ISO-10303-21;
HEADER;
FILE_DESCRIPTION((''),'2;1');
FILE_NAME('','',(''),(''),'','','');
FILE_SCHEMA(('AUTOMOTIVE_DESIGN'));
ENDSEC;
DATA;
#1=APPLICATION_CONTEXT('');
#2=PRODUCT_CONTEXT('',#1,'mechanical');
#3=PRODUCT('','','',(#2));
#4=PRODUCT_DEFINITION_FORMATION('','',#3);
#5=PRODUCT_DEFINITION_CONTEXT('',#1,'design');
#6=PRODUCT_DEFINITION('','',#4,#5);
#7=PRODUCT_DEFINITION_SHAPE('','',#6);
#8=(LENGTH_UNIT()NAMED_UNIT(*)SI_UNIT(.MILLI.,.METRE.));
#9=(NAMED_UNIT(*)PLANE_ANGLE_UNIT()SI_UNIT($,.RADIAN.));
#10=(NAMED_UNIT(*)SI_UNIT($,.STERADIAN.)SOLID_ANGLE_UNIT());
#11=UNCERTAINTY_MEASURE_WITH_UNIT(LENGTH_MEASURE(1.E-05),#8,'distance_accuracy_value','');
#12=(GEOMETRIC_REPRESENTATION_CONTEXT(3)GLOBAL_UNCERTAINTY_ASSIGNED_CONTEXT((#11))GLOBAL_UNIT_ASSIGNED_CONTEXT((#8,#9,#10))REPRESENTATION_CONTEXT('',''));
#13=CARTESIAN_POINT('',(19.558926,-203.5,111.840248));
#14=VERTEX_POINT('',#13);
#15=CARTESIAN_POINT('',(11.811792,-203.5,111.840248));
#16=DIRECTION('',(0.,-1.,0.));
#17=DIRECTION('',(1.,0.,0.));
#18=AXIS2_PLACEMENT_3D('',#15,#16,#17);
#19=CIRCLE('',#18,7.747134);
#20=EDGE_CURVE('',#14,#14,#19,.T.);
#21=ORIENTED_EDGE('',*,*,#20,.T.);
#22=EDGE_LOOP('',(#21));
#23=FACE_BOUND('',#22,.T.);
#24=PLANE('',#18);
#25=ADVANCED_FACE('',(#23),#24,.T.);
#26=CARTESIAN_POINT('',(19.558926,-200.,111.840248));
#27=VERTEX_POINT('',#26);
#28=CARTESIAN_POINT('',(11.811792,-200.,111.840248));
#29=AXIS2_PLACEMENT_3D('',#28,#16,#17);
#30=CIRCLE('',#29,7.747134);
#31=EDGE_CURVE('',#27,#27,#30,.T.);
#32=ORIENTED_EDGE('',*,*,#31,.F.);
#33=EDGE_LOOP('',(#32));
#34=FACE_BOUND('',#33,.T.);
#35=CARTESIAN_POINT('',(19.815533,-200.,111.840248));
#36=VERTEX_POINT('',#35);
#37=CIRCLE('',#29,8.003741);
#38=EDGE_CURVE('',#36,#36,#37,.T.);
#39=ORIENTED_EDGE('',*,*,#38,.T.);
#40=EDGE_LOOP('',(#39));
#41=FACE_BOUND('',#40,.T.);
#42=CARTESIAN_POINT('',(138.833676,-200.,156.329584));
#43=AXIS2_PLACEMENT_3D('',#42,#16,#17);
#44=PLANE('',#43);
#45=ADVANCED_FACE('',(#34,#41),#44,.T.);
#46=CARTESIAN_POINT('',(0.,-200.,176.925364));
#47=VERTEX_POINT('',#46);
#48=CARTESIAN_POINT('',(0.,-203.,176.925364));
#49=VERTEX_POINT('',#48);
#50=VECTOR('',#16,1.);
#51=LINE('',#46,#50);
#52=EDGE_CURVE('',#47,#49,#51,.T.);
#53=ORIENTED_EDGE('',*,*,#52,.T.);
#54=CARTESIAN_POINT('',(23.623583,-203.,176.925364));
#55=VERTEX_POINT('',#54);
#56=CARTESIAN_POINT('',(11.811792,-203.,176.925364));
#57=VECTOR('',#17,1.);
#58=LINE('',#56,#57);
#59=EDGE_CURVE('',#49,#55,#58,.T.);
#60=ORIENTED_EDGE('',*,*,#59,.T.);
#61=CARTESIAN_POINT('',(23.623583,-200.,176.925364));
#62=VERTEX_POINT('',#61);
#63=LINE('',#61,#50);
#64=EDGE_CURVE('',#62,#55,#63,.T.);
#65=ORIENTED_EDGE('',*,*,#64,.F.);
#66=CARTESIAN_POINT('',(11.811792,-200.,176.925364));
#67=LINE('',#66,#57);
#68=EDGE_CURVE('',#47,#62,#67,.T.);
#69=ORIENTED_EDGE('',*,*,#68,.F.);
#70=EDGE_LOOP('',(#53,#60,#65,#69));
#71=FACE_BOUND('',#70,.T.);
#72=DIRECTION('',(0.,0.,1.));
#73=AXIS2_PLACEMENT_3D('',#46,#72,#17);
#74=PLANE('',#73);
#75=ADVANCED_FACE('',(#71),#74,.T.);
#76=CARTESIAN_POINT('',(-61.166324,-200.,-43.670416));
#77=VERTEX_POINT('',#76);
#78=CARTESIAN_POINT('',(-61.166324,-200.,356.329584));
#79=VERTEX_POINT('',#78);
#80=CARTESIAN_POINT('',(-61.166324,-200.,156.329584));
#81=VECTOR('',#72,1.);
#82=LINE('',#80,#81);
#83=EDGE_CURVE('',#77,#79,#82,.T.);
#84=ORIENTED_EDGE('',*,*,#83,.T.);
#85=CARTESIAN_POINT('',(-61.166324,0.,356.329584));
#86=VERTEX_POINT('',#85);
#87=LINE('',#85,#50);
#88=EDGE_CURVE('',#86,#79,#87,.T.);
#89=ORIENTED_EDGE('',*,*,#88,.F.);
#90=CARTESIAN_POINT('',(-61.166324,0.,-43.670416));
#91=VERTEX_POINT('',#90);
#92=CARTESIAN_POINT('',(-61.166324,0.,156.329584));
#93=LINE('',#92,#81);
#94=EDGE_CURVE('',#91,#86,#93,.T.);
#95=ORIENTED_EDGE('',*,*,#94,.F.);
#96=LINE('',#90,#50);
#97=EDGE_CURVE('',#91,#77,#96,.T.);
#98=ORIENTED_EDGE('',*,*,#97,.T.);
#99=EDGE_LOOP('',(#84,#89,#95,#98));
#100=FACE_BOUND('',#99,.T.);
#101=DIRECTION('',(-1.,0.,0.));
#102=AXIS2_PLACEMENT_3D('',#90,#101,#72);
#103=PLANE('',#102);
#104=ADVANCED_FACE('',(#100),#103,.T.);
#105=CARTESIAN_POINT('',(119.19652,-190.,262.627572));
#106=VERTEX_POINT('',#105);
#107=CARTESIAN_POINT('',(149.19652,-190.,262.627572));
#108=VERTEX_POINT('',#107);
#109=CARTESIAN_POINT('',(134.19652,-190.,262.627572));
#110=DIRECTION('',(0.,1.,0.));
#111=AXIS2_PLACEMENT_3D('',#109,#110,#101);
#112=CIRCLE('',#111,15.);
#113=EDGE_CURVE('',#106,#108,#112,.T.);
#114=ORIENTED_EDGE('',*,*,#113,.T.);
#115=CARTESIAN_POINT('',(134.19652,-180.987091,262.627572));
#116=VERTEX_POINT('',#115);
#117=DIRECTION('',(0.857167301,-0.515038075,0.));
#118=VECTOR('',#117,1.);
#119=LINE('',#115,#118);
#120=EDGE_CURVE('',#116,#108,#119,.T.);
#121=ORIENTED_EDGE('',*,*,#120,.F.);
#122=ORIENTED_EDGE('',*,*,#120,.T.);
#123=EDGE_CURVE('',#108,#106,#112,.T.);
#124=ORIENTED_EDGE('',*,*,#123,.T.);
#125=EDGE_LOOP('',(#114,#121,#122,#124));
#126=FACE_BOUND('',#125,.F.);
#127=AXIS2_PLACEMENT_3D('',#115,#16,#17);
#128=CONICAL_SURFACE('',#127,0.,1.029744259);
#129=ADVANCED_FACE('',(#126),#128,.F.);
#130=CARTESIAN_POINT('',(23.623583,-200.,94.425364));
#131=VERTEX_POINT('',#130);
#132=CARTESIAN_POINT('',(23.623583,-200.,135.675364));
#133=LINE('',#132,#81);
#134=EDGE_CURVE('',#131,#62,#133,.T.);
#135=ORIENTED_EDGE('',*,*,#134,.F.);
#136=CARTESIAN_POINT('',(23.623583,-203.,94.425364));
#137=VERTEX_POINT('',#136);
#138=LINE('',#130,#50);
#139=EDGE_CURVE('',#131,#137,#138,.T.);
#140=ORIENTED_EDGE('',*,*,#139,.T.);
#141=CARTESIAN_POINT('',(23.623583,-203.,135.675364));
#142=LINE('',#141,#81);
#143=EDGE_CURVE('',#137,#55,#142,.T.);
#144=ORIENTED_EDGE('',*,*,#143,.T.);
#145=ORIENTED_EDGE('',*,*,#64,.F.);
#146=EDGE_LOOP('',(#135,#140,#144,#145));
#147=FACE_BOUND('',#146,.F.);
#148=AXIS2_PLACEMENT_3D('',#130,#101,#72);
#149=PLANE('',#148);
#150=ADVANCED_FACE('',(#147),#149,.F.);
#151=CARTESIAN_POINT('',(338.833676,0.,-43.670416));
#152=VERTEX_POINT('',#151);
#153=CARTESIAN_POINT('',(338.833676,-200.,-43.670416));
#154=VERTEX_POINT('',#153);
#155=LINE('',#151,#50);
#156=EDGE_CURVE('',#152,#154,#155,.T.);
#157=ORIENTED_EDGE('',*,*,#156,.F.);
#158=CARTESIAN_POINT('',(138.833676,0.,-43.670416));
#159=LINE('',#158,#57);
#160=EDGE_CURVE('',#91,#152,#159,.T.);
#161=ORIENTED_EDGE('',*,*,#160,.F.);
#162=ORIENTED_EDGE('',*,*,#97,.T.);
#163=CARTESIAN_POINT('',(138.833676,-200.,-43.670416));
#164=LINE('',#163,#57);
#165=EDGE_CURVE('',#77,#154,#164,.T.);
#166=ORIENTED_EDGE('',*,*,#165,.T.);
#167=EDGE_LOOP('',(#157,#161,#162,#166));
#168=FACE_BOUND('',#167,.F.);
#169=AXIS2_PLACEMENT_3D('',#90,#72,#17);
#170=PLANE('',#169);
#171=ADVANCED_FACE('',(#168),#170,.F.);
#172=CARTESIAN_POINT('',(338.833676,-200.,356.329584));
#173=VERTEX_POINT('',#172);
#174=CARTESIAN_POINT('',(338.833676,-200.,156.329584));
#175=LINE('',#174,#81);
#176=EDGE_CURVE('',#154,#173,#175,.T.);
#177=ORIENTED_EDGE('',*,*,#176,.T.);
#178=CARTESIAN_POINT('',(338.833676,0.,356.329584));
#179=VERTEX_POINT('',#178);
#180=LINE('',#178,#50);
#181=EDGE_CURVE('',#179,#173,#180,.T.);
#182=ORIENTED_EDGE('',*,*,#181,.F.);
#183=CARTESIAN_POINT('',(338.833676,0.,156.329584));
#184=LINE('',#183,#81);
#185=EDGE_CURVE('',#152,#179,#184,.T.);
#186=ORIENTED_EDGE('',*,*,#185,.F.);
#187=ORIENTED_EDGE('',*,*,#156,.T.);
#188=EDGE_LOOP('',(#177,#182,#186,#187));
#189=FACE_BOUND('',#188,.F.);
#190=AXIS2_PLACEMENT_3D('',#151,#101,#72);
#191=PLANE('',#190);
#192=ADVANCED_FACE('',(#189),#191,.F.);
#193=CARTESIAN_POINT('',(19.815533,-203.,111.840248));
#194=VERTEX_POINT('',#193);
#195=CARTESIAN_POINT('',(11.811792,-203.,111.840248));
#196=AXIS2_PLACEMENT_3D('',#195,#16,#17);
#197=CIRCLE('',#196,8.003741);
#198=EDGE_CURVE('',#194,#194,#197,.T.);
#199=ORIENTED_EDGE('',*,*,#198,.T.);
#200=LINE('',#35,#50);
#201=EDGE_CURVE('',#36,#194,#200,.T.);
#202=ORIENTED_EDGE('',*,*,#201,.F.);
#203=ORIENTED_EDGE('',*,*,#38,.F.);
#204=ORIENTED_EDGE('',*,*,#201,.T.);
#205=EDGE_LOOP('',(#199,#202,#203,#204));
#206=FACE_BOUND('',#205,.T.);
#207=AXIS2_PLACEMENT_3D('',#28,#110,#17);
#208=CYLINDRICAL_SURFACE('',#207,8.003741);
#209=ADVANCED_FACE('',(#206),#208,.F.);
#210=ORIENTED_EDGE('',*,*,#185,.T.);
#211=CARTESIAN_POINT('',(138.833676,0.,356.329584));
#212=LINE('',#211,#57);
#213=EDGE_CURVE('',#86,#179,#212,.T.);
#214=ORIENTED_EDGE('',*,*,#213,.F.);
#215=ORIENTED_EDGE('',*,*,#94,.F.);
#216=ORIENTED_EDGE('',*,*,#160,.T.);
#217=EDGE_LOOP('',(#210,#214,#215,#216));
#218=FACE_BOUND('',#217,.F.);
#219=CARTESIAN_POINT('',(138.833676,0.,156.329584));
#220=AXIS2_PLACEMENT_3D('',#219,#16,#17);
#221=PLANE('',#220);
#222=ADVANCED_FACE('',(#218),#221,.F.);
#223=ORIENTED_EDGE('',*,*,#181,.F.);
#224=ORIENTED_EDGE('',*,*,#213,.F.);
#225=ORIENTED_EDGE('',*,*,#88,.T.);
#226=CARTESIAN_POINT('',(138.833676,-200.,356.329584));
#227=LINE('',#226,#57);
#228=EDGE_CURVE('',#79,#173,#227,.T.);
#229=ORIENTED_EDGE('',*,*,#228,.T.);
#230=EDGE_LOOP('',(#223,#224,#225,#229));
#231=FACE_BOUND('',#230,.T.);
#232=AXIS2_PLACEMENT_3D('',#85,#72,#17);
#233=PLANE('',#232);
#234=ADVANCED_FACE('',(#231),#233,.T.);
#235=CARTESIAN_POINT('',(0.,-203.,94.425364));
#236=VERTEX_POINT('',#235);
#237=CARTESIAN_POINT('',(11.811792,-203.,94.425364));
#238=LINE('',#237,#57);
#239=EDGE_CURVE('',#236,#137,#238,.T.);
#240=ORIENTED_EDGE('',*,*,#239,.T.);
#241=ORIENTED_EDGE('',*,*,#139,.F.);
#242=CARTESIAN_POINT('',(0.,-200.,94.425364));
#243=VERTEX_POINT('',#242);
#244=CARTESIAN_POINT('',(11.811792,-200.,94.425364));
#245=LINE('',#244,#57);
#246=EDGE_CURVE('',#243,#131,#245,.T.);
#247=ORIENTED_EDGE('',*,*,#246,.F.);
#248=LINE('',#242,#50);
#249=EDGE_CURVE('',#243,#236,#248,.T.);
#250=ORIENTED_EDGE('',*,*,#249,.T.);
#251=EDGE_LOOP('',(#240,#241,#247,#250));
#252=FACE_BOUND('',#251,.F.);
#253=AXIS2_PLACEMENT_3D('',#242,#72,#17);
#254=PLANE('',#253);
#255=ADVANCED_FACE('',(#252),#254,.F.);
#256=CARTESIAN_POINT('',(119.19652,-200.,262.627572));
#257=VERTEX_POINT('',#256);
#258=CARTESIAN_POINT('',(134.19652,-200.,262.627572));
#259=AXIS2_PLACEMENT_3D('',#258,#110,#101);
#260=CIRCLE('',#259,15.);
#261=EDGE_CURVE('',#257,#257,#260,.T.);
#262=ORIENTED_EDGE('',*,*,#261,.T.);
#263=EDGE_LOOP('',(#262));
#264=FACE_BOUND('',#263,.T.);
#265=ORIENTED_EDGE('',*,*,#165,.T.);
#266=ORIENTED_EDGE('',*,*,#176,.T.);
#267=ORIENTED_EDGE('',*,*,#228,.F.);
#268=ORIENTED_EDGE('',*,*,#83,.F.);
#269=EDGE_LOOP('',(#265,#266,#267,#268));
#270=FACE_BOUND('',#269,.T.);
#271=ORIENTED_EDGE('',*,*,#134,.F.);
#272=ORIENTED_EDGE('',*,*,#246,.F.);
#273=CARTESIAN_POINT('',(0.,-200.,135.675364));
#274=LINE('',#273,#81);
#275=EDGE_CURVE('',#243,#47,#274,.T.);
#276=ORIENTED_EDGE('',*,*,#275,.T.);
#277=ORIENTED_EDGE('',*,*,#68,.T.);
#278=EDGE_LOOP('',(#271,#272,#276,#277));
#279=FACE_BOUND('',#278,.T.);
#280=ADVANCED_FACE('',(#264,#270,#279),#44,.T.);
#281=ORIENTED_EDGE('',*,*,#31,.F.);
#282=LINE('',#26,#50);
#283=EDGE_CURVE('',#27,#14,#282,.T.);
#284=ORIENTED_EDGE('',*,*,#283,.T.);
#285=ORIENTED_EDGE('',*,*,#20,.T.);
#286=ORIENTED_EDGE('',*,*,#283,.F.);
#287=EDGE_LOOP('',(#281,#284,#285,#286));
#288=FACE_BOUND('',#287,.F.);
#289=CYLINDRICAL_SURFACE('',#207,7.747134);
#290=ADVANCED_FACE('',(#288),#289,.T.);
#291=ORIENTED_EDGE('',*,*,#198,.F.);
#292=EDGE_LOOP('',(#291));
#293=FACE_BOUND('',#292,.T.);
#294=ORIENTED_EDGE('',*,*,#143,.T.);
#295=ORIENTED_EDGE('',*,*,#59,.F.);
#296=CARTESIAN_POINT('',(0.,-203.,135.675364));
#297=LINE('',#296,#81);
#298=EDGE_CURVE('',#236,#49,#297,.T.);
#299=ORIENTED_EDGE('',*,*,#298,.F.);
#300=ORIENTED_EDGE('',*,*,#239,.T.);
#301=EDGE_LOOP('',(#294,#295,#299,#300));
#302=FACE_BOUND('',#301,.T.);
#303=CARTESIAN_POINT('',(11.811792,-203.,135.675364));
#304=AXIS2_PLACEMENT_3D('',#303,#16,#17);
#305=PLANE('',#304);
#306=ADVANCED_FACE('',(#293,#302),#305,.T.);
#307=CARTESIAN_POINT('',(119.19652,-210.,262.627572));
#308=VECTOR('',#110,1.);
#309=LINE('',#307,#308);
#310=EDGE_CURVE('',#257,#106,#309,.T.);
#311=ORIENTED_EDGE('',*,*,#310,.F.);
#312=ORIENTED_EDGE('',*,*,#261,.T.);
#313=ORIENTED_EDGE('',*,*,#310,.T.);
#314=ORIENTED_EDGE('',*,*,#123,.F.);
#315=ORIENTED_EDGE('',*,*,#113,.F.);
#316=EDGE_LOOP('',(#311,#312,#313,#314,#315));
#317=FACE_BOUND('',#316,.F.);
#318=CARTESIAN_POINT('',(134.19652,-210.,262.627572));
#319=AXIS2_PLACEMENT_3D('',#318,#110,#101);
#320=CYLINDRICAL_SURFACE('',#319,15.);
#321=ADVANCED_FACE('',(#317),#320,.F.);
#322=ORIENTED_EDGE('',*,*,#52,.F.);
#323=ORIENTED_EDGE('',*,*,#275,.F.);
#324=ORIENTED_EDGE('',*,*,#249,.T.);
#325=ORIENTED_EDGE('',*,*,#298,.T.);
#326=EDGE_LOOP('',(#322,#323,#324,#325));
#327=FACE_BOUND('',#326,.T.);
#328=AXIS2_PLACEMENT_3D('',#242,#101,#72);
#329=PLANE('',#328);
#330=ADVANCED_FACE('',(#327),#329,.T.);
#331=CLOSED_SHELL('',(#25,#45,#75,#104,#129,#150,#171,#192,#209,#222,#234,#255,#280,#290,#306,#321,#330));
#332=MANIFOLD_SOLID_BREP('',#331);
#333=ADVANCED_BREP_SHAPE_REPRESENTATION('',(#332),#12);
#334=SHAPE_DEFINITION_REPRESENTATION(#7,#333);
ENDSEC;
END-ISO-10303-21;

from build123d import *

# Parameters (mm, degrees)
F0_W     = 400
F0_H     = 400
F1_DEPTH = 200
F2_W     = 23.6235832693
F2_H     = 82.5
F2_R     = 8.0037412027
F3_DEPTH = 3
F2_R_2   = 7.7471341156
F4_DEPTH = 3.5
F6_D     = 30
F6_DEPTH = 10
F6_TIP   = 9.0129092854


with BuildPart() as f1:
    # F0 (on Front) → F1 (new body)
    with BuildSketch(Plane.XZ):
        with Locations((138.8336762786, 156.3295841217)):
            Rectangle(F0_W, F0_H)
    extrude(amount=F1_DEPTH)

    # F2 (on face) → F3 (join)
    with BuildSketch(Plane.XZ.offset(200)):
        with Locations((11.8117916346, 135.6753641114)):
            Rectangle(F2_W, F2_H)
        with Locations((11.8117916346, 111.8402481079)):
            Circle(F2_R, mode=Mode.SUBTRACT)
    extrude(amount=F3_DEPTH)

    # F2 (on face) → F4 (join)
    with BuildSketch(Plane.XZ.offset(200)):
        with Locations((11.8117916346, 111.8402481079)):
            Circle(F2_R_2)
    extrude(amount=F4_DEPTH)

    # F6
    with Locations(Plane.XZ.offset(200)):
        with Locations((134.1965198517, 262.6275718212)):
            Hole(F6_D / 2, depth=F6_DEPTH)
            with Locations((0, 0, -(F6_DEPTH + F6_TIP / 2))):  # 118° drill point
                Cone(0, F6_D / 2, F6_TIP, mode=Mode.SUBTRACT)


solid = f1.part
